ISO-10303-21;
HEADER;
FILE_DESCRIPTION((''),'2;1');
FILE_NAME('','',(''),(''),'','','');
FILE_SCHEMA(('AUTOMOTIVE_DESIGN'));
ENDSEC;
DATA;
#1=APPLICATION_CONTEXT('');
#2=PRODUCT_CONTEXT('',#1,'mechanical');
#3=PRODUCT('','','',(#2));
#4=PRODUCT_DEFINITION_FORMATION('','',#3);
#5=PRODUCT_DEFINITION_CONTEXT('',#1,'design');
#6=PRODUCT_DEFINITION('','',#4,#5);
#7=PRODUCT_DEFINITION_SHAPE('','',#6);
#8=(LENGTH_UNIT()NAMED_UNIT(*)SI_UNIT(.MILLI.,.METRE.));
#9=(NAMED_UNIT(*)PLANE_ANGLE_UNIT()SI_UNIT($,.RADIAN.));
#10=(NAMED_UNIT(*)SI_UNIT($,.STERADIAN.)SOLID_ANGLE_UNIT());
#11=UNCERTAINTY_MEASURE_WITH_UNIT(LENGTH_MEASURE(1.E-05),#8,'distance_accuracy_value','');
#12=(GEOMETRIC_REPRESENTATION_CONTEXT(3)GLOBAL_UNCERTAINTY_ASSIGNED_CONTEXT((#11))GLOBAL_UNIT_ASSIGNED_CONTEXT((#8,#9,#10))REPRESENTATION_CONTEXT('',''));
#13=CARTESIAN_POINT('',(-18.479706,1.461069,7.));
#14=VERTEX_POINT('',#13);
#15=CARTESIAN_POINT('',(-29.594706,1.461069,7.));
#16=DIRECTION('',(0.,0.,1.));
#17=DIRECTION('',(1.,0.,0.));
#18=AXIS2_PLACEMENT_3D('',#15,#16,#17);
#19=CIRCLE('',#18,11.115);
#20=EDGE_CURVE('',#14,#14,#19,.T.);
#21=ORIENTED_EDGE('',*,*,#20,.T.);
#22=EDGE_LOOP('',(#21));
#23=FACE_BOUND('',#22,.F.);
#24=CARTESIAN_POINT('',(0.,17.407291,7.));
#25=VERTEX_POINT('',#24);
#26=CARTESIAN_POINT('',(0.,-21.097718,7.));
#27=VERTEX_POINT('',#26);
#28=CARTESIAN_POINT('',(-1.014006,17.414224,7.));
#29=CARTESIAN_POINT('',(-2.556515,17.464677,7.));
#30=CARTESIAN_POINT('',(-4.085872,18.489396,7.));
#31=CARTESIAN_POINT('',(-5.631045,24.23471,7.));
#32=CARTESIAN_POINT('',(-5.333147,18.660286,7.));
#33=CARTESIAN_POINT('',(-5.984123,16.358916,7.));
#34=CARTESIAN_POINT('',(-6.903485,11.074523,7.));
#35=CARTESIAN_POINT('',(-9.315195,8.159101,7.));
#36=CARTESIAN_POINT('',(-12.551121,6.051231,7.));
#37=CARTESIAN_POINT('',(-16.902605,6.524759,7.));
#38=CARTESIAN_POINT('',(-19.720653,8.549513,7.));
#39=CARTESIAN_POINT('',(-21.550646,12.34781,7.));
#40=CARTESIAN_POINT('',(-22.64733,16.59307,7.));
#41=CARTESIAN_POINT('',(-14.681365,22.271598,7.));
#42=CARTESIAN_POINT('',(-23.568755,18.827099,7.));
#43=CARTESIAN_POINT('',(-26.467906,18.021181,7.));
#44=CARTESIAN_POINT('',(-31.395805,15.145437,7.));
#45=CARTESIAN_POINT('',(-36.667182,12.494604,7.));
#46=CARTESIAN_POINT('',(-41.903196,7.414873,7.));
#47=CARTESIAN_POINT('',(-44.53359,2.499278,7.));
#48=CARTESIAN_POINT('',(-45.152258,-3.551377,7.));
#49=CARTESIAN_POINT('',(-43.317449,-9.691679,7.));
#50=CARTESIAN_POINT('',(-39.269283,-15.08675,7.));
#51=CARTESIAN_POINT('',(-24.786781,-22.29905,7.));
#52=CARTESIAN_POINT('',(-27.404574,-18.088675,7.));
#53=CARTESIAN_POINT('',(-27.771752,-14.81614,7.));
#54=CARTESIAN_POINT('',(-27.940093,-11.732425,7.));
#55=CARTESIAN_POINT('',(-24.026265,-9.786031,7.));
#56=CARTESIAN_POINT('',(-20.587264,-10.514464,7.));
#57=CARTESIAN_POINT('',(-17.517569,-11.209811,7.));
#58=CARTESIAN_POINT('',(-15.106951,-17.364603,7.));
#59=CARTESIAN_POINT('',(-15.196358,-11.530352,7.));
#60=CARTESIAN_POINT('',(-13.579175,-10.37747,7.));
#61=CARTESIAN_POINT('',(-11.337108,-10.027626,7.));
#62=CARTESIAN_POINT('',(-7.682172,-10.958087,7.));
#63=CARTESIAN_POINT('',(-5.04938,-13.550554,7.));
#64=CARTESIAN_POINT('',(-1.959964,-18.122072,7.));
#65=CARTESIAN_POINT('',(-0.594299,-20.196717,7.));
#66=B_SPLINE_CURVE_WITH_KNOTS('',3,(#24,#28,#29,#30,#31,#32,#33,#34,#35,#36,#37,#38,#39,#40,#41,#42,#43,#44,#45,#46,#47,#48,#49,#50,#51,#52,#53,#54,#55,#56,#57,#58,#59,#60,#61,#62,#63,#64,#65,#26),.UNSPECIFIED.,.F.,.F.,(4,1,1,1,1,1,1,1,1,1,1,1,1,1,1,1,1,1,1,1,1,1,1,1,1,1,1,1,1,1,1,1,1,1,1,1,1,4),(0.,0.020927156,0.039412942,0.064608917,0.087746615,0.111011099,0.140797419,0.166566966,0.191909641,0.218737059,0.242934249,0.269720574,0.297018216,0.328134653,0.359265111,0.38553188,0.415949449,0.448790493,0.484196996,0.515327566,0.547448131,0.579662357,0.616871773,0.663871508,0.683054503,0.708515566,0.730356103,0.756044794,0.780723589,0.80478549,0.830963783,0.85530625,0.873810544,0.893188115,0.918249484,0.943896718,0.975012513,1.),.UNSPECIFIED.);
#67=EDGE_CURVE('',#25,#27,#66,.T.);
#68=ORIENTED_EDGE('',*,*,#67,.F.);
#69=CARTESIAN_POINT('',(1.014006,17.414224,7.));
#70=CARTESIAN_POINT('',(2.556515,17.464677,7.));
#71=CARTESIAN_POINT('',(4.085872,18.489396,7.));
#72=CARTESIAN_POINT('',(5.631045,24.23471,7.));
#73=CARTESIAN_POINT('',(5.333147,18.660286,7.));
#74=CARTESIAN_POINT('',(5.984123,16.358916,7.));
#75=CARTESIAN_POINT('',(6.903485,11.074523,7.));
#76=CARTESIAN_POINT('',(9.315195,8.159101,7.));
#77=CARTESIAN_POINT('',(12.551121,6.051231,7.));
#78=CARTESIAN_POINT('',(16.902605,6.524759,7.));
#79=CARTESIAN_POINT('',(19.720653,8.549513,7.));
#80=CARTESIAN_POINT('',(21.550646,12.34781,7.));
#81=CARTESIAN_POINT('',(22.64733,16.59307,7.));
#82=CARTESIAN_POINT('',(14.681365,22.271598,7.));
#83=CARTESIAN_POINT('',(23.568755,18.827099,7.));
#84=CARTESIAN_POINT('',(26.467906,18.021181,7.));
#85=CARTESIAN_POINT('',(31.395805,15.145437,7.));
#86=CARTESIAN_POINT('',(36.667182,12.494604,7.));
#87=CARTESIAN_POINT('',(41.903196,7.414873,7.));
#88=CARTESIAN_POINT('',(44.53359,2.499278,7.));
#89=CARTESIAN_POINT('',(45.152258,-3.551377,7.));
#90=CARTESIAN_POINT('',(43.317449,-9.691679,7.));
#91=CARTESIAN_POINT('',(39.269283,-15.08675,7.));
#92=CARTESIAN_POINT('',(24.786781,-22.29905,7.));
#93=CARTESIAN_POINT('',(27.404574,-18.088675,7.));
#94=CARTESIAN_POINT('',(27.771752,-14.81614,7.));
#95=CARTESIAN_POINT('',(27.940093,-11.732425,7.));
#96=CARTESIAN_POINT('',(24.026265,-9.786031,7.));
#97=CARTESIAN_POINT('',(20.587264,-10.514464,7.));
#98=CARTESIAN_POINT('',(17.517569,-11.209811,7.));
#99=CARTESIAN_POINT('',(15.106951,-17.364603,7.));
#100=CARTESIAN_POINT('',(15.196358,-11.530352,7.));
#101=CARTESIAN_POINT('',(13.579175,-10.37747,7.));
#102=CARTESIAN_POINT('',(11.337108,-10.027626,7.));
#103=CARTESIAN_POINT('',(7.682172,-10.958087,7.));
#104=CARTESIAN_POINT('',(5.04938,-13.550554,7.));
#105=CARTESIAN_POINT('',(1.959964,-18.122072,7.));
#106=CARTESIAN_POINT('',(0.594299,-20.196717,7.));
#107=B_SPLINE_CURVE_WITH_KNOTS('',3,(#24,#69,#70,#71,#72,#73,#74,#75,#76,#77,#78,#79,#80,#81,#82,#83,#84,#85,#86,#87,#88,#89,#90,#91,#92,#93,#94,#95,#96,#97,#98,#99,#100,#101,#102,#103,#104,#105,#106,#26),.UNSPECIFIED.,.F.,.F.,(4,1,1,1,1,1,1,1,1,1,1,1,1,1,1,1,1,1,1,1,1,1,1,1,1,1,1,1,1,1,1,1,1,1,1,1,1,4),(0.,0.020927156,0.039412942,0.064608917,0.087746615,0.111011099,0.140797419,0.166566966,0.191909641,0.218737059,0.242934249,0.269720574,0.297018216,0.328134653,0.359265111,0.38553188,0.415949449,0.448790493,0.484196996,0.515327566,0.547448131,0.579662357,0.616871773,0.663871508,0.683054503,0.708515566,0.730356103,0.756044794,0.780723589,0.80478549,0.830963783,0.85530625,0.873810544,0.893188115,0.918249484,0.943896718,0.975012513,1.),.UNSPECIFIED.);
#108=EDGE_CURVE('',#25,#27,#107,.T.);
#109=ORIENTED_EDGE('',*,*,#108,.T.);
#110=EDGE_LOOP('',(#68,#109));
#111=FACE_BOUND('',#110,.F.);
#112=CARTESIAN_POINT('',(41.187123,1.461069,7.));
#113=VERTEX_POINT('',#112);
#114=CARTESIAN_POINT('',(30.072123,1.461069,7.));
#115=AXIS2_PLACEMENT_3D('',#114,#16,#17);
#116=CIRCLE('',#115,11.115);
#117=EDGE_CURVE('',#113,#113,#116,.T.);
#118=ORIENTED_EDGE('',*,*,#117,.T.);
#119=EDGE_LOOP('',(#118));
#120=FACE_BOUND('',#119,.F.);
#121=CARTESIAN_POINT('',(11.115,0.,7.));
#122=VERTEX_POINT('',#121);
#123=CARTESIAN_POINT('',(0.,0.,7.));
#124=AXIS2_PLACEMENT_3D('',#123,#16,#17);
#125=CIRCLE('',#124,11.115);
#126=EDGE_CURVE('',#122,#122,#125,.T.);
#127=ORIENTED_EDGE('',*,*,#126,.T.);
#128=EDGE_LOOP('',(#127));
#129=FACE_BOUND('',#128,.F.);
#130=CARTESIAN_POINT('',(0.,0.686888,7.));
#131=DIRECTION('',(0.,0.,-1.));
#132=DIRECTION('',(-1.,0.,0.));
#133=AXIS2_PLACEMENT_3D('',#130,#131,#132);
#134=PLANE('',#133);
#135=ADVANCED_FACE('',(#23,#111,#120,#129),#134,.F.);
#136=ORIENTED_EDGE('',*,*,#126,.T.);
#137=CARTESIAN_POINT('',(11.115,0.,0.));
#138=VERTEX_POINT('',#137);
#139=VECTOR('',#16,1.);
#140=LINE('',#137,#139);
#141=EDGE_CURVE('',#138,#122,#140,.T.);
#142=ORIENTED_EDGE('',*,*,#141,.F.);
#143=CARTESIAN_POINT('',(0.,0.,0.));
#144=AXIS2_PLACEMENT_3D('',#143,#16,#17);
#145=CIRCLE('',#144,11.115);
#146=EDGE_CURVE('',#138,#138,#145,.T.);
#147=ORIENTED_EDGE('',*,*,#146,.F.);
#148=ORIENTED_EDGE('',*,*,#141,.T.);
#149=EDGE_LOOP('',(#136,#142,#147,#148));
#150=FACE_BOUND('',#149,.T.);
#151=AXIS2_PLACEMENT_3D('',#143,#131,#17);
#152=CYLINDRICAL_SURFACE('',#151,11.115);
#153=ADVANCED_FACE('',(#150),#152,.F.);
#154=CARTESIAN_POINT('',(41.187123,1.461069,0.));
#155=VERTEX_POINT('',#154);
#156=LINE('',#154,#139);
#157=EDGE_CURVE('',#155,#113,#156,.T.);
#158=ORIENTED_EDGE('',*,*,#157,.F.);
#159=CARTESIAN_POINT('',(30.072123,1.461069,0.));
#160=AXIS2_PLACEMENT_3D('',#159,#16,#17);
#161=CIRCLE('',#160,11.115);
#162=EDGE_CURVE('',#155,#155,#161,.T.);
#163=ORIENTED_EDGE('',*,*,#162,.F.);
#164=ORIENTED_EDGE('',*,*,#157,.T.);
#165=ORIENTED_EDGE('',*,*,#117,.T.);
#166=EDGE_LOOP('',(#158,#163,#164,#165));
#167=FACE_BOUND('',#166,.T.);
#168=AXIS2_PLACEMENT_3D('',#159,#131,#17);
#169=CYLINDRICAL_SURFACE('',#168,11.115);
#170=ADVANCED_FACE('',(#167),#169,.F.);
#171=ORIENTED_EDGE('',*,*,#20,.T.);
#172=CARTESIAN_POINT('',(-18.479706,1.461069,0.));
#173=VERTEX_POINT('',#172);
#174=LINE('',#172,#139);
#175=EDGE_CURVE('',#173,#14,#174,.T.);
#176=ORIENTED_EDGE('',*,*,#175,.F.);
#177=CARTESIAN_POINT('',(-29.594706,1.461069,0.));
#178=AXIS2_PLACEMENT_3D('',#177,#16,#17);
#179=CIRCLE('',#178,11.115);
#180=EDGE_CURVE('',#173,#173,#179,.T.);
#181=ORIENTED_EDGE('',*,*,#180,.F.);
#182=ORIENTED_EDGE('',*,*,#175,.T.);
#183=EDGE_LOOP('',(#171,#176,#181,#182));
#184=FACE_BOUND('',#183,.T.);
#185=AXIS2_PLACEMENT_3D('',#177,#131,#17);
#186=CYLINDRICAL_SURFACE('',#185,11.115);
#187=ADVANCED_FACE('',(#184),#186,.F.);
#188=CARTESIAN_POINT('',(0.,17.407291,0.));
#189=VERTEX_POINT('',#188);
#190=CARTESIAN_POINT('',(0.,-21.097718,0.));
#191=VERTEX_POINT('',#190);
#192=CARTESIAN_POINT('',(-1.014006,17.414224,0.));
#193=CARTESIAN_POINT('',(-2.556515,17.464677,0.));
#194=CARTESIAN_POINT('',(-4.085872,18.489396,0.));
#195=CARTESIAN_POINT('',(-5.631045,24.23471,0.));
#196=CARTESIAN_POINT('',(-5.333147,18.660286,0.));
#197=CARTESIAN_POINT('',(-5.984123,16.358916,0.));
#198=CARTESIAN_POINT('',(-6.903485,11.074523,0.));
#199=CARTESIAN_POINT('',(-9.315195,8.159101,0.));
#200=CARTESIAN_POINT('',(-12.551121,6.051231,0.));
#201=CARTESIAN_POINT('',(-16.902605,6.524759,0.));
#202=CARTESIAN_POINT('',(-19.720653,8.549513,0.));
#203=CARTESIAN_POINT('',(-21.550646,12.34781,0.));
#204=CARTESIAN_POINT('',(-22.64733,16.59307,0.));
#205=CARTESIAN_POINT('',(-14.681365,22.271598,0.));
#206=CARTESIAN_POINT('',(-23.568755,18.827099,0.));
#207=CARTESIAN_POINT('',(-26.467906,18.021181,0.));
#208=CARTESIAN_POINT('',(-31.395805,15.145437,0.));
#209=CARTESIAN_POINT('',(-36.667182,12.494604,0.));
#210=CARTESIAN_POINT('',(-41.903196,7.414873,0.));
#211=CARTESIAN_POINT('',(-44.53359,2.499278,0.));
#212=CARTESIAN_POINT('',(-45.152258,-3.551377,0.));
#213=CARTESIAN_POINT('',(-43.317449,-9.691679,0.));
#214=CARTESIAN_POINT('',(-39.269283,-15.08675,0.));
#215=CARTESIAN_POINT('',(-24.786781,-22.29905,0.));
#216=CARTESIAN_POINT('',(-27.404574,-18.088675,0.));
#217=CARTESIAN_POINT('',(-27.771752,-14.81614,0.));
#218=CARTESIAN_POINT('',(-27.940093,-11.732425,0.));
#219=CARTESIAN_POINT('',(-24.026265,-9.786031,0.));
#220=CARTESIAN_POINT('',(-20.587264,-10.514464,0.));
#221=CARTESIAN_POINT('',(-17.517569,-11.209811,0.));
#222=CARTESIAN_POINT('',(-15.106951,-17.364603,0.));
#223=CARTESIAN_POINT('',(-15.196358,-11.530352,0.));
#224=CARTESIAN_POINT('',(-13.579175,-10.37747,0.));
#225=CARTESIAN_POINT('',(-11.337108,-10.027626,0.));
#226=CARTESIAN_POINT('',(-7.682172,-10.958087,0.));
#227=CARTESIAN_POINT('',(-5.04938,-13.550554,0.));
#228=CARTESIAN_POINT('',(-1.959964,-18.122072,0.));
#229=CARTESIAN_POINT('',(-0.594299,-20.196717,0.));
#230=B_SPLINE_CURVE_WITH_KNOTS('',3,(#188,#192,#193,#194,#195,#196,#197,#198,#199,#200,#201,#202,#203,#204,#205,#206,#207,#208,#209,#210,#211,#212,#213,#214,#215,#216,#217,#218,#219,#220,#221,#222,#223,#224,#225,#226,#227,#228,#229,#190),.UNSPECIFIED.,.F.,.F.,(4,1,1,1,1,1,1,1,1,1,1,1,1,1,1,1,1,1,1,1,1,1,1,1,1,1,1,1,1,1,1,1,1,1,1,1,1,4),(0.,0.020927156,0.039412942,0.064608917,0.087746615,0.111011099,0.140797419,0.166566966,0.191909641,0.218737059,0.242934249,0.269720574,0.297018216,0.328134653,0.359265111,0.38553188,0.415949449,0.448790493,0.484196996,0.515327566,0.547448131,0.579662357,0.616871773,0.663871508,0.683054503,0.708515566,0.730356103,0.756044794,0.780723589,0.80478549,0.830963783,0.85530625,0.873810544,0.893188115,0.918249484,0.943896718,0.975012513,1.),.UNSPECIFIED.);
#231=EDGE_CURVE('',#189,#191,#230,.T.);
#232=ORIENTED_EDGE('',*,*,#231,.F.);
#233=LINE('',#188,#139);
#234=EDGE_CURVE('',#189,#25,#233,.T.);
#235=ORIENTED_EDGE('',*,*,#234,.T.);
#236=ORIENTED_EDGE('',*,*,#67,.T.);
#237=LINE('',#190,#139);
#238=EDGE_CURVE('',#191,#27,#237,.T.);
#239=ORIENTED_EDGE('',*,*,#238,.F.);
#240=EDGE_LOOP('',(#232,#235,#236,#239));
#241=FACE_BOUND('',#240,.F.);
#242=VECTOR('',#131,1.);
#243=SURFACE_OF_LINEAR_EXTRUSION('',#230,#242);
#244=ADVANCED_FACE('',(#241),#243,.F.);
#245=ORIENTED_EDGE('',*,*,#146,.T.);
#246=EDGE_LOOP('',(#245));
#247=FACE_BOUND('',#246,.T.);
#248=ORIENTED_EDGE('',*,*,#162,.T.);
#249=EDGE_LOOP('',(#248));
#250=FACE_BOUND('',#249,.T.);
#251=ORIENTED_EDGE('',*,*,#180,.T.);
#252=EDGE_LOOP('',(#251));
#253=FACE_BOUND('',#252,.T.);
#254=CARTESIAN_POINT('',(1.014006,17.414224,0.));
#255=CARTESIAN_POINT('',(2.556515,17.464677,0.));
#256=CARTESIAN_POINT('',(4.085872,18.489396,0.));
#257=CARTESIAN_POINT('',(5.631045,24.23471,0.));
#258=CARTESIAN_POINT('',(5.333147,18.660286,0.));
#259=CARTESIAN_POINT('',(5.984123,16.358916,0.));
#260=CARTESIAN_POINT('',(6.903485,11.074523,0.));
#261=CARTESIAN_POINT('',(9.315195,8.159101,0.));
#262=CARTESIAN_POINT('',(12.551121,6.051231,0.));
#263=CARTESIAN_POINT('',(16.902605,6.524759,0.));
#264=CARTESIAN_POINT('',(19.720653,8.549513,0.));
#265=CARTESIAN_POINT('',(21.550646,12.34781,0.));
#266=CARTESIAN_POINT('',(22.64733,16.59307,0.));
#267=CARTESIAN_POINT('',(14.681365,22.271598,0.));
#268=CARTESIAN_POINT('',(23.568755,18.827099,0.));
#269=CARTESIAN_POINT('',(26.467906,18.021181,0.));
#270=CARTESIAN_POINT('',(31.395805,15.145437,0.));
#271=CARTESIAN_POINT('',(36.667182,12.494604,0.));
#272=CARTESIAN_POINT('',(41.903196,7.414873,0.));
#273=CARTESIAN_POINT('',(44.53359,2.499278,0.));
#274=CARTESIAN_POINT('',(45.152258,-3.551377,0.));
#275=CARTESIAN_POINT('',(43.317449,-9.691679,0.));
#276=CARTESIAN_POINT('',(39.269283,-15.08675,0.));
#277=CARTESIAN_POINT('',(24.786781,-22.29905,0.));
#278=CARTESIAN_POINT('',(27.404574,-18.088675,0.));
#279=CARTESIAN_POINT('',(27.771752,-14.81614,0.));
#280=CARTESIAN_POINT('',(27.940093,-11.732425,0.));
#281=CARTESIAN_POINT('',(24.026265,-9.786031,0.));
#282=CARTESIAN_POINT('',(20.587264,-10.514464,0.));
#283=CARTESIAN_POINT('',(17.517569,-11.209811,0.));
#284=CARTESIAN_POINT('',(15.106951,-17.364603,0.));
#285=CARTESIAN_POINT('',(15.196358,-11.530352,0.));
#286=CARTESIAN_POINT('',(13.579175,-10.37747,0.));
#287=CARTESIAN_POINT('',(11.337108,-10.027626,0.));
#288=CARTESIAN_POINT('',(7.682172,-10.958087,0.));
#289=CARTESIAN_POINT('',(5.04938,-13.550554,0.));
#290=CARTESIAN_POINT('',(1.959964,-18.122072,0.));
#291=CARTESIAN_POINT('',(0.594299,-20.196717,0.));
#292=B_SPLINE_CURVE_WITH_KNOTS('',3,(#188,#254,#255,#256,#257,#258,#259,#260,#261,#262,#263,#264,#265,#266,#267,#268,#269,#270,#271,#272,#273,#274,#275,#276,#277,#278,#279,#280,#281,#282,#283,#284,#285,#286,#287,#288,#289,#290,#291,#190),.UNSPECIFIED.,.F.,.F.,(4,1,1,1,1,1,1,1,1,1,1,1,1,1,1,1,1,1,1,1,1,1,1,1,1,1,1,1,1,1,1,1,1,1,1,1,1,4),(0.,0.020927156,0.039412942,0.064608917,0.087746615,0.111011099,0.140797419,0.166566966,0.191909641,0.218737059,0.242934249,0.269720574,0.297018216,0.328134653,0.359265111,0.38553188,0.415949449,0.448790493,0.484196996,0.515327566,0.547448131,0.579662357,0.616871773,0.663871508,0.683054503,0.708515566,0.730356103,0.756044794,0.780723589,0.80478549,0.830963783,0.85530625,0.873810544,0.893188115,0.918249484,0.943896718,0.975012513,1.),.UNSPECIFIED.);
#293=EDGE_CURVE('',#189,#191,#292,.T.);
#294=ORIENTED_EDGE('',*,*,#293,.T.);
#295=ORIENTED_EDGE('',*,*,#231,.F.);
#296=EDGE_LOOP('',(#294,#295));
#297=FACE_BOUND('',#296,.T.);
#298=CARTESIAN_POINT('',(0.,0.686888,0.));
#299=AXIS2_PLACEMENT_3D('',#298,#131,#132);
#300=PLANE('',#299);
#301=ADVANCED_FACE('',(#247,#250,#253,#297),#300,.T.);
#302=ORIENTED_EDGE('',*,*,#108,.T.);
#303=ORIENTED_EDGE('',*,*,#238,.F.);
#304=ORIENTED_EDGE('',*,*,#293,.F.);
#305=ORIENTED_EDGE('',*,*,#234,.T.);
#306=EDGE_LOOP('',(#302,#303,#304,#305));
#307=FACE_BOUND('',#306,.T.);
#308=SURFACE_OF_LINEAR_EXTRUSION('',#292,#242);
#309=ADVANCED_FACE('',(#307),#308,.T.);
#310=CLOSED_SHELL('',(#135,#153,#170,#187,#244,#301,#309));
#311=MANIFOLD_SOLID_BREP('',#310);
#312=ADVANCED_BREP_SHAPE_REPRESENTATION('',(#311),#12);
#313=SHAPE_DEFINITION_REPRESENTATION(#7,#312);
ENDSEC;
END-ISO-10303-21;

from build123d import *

# Parameters (mm, degrees)
F0_R     = 11.115
F1_DEPTH = 7


with BuildPart() as f1:
    # F0 (on Top) → F1 (new body)
    with BuildSketch(Plane.XY):
        with BuildLine():
            add(Edge.make_bspline(
                [(0, 17.4072906375), (1.0140059526, 17.4142236555), (2.5565149392, 17.4646767645), (4.085871655, 18.4893956549), (5.6310452239, 24.2347103656), (5.3331465472, 18.6602861793), (5.9841227186, 16.3589157366), (6.9034846209, 11.0745233191), (9.3151948121, 8.1591011723), (12.5511209474, 6.0512306292), (16.9026051592, 6.5247592764), (19.7206530741, 8.5495129661), (21.5506458074, 12.3478099886), (22.647330331, 16.5930698318), (14.6813652478, 22.2715975167), (23.5687545421, 18.8270994436), (26.4679063059, 18.0211809903), (31.3958049905, 15.1454367873), (36.6671815942, 12.4946044164), (41.9031961365, 7.414872592), (44.5335900134, 2.4992784353), (45.152257583, -3.5513769391), (43.3174494116, -9.6916789599), (39.2692833086, -15.0867497961), (24.7867812504, -22.299049904), (27.4045740424, -18.0886748291), (27.7717517651, -14.8161395913), (27.940092957, -11.7324254885), (24.0262650985, -9.7860310442), (20.5872635381, -10.5144638273), (17.5175694346, -11.2098114375), (15.1069512712, -17.3646026844), (15.1963575127, -11.5303523293), (13.5791749101, -10.3774695739), (11.3371082559, -10.027626164), (7.6821724077, -10.9580867105), (5.0493799852, -13.5505543966), (1.9599643104, -18.1220722077), (0.5942990885, -20.196717102), (0, -21.0977178067)],
                knots=[0, 0, 0, 0, 0.0209271565, 0.0394129418, 0.0646089172, 0.0877466148, 0.1110110992, 0.1407974191, 0.1665669662, 0.1919096409, 0.2187370591, 0.242934249, 0.2697205742, 0.2970182162, 0.3281346528, 0.3592651109, 0.3855318803, 0.4159494494, 0.4487904932, 0.4841969957, 0.5153275662, 0.5474481309, 0.5796623575, 0.6168717735, 0.6638715078, 0.6830545026, 0.7085155658, 0.7303561031, 0.7560447942, 0.7807235887, 0.8047854901, 0.8309637825, 0.8553062497, 0.8738105437, 0.8931881151, 0.9182494845, 0.943896718, 0.975012513, 1, 1, 1, 1], degree=3))
            add(Edge.make_bspline(
                [(0, 17.4072906375), (-1.0140059526, 17.4142236555), (-2.5565149392, 17.4646767645), (-4.085871655, 18.4893956549), (-5.6310452239, 24.2347103656), (-5.3331465472, 18.6602861793), (-5.9841227186, 16.3589157366), (-6.9034846209, 11.0745233191), (-9.3151948121, 8.1591011723), (-12.5511209474, 6.0512306292), (-16.9026051592, 6.5247592764), (-19.7206530741, 8.5495129661), (-21.5506458074, 12.3478099886), (-22.647330331, 16.5930698318), (-14.6813652478, 22.2715975167), (-23.5687545421, 18.8270994436), (-26.4679063059, 18.0211809903), (-31.3958049905, 15.1454367873), (-36.6671815942, 12.4946044164), (-41.9031961365, 7.414872592), (-44.5335900134, 2.4992784353), (-45.152257583, -3.5513769391), (-43.3174494116, -9.6916789599), (-39.2692833086, -15.0867497961), (-24.7867812504, -22.299049904), (-27.4045740424, -18.0886748291), (-27.7717517651, -14.8161395913), (-27.940092957, -11.7324254885), (-24.0262650985, -9.7860310442), (-20.5872635381, -10.5144638273), (-17.5175694346, -11.2098114375), (-15.1069512712, -17.3646026844), (-15.1963575127, -11.5303523293), (-13.5791749101, -10.3774695739), (-11.3371082559, -10.027626164), (-7.6821724077, -10.9580867105), (-5.0493799852, -13.5505543966), (-1.9599643104, -18.1220722077), (-0.5942990885, -20.196717102), (0, -21.0977178067)],
                knots=[0, 0, 0, 0, 0.0209271565, 0.0394129418, 0.0646089172, 0.0877466148, 0.1110110992, 0.1407974191, 0.1665669662, 0.1919096409, 0.2187370591, 0.242934249, 0.2697205742, 0.2970182162, 0.3281346528, 0.3592651109, 0.3855318803, 0.4159494494, 0.4487904932, 0.4841969957, 0.5153275662, 0.5474481309, 0.5796623575, 0.6168717735, 0.6638715078, 0.6830545026, 0.7085155658, 0.7303561031, 0.7560447942, 0.7807235887, 0.8047854901, 0.8309637825, 0.8553062497, 0.8738105437, 0.8931881151, 0.9182494845, 0.943896718, 0.975012513, 1, 1, 1, 1], degree=3))
        make_face()
        Circle(F0_R, mode=Mode.SUBTRACT)
        with Locations((-29.5947063714, 1.4610688668)):
            Circle(F0_R, mode=Mode.SUBTRACT)
        with Locations((30.0721228123, 1.4610688668)):
            Circle(F0_R, mode=Mode.SUBTRACT)
    extrude(amount=F1_DEPTH)


solid = f1.part
